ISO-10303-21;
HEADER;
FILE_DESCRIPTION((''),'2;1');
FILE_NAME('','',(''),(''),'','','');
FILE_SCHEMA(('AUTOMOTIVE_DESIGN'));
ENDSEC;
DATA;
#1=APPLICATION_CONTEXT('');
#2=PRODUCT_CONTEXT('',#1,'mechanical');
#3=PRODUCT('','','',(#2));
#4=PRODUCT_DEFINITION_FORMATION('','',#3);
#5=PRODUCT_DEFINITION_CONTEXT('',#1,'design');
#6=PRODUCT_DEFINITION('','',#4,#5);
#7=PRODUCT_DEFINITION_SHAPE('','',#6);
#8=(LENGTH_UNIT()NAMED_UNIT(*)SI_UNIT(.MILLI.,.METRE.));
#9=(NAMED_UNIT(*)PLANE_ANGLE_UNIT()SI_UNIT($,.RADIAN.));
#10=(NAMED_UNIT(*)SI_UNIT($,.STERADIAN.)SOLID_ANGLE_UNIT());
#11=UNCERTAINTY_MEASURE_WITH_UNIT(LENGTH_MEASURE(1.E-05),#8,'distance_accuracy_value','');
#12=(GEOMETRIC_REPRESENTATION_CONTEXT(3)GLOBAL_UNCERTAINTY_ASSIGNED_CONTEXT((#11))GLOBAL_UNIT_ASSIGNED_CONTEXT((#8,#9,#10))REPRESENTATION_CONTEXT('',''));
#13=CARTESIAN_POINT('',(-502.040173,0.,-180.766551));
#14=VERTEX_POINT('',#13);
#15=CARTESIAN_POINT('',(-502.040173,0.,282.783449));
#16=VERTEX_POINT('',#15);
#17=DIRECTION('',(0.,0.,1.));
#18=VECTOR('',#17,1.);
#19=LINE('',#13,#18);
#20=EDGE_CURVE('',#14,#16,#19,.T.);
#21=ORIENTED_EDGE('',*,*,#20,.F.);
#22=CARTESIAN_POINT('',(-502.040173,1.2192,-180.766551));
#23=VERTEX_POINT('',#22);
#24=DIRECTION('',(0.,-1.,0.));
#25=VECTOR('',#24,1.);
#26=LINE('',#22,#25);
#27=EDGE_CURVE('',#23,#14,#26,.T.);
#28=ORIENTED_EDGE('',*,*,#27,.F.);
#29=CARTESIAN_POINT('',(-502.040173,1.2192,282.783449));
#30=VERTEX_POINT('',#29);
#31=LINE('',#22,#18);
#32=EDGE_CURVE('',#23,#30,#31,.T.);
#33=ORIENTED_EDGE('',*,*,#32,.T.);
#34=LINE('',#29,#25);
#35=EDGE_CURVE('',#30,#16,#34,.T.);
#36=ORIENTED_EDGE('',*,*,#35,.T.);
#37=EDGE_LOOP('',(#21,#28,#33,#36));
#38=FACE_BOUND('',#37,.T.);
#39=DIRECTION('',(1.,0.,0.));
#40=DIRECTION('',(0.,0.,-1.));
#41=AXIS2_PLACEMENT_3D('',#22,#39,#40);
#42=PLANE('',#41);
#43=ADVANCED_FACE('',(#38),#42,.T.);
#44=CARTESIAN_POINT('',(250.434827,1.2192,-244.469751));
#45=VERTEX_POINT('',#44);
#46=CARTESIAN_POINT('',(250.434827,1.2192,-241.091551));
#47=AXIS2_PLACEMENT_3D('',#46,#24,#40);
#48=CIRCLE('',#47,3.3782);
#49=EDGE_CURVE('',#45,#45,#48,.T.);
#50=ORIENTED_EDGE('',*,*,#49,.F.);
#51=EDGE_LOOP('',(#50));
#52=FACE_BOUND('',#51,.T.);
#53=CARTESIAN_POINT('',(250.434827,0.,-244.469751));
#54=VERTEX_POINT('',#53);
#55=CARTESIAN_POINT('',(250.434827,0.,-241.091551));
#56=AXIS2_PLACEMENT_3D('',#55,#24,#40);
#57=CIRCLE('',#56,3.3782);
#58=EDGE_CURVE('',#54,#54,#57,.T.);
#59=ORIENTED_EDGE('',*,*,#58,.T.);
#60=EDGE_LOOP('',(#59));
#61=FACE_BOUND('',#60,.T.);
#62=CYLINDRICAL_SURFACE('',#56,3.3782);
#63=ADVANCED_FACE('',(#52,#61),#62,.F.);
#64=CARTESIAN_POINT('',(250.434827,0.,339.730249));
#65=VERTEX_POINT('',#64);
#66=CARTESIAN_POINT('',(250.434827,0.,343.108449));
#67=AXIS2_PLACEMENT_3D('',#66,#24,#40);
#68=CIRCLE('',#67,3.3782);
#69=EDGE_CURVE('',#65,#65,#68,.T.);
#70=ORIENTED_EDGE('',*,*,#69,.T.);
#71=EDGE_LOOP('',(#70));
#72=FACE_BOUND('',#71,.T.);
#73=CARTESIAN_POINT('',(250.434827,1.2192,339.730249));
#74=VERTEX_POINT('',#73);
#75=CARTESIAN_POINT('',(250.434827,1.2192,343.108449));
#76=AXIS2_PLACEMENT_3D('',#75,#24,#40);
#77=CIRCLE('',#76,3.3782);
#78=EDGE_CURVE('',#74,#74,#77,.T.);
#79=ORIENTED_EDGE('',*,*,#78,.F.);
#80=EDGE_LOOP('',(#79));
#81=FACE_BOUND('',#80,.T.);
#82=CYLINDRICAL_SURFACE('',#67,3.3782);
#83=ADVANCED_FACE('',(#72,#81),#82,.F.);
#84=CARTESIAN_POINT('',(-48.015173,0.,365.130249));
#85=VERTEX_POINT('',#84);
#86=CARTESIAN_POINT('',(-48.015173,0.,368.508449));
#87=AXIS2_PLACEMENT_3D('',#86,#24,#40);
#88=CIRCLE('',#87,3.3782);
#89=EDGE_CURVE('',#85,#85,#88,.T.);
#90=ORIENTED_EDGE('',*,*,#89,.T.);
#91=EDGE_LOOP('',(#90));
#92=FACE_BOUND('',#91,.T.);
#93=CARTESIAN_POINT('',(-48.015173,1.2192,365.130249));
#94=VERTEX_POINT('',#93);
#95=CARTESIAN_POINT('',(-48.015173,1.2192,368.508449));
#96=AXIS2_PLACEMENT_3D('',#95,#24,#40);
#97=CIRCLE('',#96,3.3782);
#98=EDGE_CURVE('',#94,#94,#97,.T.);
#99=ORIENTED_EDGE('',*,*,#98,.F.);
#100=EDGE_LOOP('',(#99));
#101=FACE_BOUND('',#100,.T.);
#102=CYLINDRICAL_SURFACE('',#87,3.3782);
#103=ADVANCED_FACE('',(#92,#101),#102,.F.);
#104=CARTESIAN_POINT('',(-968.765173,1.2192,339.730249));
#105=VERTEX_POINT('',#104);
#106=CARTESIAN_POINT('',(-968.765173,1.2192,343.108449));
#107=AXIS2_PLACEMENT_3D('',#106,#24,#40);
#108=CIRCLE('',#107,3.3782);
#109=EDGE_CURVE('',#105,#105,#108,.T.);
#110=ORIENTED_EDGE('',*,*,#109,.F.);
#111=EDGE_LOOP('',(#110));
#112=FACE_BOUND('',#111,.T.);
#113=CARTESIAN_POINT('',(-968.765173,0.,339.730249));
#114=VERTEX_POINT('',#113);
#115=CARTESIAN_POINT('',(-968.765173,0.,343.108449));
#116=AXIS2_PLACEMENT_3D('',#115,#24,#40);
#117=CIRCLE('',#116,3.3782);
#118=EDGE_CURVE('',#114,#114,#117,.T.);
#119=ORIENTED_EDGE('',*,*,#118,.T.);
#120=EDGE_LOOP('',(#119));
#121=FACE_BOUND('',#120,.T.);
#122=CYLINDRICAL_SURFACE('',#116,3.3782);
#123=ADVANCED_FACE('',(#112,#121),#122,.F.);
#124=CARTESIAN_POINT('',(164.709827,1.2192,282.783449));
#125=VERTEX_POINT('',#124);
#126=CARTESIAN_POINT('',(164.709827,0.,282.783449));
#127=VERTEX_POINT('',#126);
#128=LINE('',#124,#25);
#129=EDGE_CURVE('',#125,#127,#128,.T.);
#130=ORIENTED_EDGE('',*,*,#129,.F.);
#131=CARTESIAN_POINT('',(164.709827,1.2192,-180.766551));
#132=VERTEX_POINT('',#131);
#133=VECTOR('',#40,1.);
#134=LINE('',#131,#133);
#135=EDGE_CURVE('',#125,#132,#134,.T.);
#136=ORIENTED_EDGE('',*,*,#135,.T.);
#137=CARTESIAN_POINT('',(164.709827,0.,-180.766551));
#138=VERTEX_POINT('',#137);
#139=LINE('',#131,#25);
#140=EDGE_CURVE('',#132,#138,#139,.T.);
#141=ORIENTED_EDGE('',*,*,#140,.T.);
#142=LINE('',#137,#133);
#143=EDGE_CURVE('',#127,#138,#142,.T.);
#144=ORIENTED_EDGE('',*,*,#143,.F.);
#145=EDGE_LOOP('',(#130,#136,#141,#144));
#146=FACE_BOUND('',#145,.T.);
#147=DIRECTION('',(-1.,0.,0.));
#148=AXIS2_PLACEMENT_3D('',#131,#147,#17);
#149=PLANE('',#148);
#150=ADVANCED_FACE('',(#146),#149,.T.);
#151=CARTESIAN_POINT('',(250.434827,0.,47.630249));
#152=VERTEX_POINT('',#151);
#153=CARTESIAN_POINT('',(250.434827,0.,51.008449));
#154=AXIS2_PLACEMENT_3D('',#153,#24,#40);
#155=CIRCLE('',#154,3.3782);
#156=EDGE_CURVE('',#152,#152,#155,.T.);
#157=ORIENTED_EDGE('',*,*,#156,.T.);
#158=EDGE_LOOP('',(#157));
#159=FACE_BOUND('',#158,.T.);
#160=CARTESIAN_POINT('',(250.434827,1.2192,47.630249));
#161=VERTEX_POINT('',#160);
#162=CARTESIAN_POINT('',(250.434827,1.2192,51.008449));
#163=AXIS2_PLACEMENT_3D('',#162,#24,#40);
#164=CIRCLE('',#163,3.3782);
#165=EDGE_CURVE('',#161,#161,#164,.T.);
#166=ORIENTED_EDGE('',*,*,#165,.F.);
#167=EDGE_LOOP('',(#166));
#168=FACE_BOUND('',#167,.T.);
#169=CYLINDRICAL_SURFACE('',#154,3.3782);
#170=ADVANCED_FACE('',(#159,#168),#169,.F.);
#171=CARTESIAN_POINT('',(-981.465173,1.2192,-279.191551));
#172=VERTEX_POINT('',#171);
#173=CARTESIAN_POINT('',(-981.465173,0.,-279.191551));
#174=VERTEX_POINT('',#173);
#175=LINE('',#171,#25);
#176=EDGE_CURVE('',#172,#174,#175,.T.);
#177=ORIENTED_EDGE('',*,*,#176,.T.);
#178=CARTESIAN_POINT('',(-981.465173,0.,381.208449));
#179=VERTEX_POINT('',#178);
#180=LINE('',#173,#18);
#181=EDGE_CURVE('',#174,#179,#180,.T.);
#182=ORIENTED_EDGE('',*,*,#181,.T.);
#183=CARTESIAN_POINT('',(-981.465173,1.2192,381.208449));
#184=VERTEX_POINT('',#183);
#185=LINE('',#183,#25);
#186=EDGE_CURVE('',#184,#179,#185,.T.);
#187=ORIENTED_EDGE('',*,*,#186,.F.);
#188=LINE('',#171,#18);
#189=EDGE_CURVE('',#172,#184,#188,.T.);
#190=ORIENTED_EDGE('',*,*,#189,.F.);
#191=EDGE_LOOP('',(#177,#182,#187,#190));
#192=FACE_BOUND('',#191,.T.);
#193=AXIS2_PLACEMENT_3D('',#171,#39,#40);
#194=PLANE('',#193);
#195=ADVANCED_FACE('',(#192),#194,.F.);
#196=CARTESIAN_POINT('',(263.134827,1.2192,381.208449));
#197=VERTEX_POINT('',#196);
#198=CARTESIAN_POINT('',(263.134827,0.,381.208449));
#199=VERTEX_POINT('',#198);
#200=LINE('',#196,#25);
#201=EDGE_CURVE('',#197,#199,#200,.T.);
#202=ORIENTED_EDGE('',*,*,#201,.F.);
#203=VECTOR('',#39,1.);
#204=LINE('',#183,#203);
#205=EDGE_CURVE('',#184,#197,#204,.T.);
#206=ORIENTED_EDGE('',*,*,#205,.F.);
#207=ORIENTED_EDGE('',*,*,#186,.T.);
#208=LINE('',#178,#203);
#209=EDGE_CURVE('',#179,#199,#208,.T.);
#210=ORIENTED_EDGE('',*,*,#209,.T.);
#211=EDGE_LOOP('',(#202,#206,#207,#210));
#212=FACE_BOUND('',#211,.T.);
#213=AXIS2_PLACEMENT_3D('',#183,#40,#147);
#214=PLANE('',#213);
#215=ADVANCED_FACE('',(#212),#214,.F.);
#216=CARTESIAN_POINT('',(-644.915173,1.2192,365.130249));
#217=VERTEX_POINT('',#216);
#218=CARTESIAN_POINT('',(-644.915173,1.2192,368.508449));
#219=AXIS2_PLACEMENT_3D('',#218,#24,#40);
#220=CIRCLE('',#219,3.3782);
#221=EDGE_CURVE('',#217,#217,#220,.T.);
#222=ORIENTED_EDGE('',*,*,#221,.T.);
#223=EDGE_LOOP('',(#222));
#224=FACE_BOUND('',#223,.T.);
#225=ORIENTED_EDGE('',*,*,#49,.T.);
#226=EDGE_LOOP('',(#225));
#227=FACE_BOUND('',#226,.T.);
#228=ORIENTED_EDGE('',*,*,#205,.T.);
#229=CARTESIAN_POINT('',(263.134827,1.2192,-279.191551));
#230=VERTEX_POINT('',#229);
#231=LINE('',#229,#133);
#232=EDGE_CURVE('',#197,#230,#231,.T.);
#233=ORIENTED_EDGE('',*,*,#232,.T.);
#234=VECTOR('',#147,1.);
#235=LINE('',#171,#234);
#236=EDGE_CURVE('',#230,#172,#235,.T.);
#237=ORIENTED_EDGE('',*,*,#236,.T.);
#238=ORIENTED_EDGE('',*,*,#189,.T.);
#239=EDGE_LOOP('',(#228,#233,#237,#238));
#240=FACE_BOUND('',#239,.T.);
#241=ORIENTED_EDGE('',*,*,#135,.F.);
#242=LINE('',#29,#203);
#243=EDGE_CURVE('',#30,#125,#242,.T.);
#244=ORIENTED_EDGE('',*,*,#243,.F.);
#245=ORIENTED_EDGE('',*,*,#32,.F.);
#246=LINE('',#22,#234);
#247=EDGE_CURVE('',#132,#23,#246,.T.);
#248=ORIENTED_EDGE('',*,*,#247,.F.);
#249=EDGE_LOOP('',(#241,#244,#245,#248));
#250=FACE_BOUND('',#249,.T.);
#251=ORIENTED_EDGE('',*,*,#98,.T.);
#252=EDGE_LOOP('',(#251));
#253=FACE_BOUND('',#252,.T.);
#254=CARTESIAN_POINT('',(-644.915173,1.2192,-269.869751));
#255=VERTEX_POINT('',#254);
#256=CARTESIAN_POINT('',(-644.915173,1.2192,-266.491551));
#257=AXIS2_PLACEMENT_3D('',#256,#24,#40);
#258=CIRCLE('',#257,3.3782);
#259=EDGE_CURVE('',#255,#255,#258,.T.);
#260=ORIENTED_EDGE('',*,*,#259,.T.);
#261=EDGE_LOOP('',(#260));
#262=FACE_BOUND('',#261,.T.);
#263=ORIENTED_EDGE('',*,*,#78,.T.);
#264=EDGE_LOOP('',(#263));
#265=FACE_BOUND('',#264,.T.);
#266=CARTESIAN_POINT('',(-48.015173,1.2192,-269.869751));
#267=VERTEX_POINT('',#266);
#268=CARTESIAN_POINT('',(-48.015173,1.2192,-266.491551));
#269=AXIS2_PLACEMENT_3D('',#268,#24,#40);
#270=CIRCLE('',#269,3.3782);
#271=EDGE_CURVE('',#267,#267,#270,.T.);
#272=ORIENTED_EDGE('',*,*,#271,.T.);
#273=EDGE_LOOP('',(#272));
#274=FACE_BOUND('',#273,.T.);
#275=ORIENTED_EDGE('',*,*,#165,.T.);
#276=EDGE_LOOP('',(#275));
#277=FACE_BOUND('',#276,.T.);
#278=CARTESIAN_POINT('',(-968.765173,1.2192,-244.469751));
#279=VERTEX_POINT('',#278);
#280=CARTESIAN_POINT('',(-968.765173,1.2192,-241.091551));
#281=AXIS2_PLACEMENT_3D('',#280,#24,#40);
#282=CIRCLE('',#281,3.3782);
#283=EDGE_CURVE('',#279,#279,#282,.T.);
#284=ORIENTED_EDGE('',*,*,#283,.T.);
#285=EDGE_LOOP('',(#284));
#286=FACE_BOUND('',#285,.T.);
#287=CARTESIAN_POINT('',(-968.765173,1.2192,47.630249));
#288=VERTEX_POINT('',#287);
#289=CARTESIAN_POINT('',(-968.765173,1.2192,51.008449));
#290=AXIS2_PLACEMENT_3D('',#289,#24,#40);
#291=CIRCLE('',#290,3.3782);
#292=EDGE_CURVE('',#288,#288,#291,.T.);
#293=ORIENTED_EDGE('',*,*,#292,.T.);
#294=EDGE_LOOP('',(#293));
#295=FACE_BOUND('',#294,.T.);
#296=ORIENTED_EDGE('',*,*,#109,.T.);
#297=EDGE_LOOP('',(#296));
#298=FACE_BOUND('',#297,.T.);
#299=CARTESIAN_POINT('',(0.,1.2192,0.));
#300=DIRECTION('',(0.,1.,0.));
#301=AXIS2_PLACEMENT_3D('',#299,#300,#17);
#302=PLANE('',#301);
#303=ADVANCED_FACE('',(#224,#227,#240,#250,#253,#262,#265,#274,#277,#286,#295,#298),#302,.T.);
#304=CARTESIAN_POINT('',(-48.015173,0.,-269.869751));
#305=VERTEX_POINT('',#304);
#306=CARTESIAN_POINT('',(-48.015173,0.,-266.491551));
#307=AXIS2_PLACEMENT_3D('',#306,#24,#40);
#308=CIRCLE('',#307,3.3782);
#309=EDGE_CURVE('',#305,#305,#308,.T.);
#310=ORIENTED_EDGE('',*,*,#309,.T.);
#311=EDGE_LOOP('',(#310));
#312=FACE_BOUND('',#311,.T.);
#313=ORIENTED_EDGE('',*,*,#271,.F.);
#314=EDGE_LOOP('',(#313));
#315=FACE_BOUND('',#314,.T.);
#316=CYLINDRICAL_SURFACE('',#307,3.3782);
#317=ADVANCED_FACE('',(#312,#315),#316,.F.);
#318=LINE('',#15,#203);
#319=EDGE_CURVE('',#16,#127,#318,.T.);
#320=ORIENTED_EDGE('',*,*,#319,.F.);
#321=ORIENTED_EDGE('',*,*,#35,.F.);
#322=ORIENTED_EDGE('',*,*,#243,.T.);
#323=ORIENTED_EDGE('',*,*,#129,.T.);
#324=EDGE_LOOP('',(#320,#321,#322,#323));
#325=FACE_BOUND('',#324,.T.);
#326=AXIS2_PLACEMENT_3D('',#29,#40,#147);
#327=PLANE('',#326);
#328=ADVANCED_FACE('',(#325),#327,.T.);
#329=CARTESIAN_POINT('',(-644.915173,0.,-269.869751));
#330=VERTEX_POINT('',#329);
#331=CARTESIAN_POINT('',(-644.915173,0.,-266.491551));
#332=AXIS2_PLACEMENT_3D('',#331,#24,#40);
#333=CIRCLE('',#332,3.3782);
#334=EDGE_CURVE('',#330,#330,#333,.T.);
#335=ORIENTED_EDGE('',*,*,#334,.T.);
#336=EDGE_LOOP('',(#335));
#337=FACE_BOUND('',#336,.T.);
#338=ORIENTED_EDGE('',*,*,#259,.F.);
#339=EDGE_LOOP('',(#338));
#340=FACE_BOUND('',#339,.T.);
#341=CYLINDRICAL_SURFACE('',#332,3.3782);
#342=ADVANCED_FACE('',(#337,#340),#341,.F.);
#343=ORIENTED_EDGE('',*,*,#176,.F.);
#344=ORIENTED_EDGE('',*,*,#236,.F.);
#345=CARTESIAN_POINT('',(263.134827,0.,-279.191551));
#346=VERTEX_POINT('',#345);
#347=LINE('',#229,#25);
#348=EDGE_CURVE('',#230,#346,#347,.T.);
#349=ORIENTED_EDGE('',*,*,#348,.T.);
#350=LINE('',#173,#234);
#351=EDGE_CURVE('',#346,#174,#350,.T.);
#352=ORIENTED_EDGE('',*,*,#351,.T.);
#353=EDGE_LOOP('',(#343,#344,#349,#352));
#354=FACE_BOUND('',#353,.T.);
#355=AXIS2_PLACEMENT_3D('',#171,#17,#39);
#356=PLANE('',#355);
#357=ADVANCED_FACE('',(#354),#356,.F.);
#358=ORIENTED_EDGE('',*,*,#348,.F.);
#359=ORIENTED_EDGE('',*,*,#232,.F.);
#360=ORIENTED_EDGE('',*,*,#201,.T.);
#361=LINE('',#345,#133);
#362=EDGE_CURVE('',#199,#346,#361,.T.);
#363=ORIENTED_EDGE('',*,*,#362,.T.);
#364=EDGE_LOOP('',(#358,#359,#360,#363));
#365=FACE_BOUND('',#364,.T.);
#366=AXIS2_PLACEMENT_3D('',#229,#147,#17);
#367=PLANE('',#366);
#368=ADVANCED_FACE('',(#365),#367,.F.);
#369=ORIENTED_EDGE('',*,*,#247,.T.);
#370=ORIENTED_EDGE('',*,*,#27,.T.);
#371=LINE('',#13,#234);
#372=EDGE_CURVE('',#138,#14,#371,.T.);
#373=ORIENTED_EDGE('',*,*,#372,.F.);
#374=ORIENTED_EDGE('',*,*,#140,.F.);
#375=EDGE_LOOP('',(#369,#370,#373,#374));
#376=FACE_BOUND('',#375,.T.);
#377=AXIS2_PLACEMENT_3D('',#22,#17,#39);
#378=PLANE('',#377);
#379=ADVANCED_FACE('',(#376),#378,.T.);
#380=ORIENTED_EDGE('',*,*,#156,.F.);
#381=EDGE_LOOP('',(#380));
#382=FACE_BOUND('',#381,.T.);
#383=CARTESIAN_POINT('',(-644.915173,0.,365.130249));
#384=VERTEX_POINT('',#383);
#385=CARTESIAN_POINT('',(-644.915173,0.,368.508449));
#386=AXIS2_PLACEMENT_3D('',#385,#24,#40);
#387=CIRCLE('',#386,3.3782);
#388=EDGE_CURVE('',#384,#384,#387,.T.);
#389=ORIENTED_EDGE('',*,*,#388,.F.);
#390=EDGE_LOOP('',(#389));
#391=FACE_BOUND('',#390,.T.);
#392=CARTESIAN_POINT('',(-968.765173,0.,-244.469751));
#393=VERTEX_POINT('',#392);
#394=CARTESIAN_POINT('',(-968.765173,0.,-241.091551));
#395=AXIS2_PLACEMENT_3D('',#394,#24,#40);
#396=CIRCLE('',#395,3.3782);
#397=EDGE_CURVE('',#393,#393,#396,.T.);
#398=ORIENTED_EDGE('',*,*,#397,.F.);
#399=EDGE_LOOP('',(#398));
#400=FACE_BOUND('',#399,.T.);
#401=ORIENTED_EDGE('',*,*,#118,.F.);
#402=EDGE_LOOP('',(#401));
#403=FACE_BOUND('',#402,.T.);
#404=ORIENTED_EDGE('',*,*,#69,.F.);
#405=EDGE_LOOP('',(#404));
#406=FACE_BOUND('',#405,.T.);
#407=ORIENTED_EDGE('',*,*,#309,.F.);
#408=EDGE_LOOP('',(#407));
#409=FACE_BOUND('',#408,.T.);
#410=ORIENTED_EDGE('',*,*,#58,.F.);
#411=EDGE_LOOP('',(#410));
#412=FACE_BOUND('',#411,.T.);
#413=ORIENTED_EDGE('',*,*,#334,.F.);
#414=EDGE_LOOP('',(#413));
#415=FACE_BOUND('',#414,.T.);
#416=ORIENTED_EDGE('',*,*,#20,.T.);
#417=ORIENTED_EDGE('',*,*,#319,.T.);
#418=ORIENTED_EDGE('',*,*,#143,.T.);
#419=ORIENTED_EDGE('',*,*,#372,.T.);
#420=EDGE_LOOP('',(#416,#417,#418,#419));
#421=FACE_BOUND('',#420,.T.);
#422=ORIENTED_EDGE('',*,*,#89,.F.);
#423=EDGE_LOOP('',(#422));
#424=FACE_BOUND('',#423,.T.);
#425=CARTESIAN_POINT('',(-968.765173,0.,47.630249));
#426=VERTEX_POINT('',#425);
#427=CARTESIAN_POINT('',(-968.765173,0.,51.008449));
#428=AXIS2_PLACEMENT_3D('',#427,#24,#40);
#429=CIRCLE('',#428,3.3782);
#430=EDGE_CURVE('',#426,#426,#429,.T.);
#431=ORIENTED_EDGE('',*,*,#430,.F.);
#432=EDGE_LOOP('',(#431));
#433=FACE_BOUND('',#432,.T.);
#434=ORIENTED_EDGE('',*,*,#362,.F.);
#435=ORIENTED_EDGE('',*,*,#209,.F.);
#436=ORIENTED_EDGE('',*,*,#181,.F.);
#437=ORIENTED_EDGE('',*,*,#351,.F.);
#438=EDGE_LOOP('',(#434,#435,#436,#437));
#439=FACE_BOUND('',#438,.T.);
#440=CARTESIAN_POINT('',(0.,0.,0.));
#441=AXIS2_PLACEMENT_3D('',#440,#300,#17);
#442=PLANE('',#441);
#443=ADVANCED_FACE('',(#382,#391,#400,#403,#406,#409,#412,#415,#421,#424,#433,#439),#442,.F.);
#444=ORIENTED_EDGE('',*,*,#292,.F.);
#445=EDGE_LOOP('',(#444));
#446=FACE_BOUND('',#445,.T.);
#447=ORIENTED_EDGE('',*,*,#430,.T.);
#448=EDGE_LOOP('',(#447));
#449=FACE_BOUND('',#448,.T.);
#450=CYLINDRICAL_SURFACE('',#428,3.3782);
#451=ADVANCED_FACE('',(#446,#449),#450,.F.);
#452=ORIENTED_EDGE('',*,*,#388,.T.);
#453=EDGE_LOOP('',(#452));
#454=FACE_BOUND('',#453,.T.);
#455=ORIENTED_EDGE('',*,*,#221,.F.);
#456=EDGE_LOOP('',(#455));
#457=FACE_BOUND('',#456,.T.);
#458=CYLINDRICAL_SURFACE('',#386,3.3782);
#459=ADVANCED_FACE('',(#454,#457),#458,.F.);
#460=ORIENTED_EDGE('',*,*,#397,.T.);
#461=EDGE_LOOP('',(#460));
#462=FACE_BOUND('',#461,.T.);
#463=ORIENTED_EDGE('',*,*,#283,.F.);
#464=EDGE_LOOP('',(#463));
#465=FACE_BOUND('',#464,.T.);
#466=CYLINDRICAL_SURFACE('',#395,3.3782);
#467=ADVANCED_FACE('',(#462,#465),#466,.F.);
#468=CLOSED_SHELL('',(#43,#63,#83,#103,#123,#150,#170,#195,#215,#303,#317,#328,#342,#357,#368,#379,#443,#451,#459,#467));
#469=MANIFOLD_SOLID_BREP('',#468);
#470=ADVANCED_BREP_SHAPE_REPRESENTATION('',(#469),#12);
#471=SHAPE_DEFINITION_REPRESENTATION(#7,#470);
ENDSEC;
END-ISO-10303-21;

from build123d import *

# Parameters (mm, degrees)
SKETCH1_W               = 1244.6
SKETCH1_H               = 660.4
SKETCH1_W_2             = 666.75
SKETCH1_H_2             = 463.55
BOSS_EXTRUDE1_DEPTH     = 1.2192
F_1_4_CLEARANCE_HOLE1_D = 6.7564


with BuildPart() as part:
    # Sketch1 → Boss-Extrude1 (new body)
    with BuildSketch(Plane(origin=(0, 0, 0), x_dir=(1, 0, 0), z_dir=(0, 1, 0))):
        with Locations((-359.165172795, -51.008449371)):
            Rectangle(SKETCH1_W, SKETCH1_H)
        with Locations((-168.665172795, -51.008449371)):
            Rectangle(SKETCH1_W_2, SKETCH1_H_2, mode=Mode.SUBTRACT)
    extrude(amount=BOSS_EXTRUDE1_DEPTH)

    # 1/4 Clearance Hole1 (through all)
    with Locations(Plane(origin=(0, 0, 0), x_dir=(-1, 0, 0), z_dir=(0, -1, 0))):
        with Locations((968.765172795, 241.091550629), (968.765172795, -51.008449371), (968.765172795, -343.108449371), (644.915172795, -368.508449371), (644.915172795, 266.491550629), (48.015172795, 266.491550629), (-250.434827205, 241.091550629), (-250.434827205, -51.008449371), (-250.434827205, -343.108449371), (48.015172795, -368.508449371)):
            Hole(F_1_4_CLEARANCE_HOLE1_D / 2)


solid = part.part
